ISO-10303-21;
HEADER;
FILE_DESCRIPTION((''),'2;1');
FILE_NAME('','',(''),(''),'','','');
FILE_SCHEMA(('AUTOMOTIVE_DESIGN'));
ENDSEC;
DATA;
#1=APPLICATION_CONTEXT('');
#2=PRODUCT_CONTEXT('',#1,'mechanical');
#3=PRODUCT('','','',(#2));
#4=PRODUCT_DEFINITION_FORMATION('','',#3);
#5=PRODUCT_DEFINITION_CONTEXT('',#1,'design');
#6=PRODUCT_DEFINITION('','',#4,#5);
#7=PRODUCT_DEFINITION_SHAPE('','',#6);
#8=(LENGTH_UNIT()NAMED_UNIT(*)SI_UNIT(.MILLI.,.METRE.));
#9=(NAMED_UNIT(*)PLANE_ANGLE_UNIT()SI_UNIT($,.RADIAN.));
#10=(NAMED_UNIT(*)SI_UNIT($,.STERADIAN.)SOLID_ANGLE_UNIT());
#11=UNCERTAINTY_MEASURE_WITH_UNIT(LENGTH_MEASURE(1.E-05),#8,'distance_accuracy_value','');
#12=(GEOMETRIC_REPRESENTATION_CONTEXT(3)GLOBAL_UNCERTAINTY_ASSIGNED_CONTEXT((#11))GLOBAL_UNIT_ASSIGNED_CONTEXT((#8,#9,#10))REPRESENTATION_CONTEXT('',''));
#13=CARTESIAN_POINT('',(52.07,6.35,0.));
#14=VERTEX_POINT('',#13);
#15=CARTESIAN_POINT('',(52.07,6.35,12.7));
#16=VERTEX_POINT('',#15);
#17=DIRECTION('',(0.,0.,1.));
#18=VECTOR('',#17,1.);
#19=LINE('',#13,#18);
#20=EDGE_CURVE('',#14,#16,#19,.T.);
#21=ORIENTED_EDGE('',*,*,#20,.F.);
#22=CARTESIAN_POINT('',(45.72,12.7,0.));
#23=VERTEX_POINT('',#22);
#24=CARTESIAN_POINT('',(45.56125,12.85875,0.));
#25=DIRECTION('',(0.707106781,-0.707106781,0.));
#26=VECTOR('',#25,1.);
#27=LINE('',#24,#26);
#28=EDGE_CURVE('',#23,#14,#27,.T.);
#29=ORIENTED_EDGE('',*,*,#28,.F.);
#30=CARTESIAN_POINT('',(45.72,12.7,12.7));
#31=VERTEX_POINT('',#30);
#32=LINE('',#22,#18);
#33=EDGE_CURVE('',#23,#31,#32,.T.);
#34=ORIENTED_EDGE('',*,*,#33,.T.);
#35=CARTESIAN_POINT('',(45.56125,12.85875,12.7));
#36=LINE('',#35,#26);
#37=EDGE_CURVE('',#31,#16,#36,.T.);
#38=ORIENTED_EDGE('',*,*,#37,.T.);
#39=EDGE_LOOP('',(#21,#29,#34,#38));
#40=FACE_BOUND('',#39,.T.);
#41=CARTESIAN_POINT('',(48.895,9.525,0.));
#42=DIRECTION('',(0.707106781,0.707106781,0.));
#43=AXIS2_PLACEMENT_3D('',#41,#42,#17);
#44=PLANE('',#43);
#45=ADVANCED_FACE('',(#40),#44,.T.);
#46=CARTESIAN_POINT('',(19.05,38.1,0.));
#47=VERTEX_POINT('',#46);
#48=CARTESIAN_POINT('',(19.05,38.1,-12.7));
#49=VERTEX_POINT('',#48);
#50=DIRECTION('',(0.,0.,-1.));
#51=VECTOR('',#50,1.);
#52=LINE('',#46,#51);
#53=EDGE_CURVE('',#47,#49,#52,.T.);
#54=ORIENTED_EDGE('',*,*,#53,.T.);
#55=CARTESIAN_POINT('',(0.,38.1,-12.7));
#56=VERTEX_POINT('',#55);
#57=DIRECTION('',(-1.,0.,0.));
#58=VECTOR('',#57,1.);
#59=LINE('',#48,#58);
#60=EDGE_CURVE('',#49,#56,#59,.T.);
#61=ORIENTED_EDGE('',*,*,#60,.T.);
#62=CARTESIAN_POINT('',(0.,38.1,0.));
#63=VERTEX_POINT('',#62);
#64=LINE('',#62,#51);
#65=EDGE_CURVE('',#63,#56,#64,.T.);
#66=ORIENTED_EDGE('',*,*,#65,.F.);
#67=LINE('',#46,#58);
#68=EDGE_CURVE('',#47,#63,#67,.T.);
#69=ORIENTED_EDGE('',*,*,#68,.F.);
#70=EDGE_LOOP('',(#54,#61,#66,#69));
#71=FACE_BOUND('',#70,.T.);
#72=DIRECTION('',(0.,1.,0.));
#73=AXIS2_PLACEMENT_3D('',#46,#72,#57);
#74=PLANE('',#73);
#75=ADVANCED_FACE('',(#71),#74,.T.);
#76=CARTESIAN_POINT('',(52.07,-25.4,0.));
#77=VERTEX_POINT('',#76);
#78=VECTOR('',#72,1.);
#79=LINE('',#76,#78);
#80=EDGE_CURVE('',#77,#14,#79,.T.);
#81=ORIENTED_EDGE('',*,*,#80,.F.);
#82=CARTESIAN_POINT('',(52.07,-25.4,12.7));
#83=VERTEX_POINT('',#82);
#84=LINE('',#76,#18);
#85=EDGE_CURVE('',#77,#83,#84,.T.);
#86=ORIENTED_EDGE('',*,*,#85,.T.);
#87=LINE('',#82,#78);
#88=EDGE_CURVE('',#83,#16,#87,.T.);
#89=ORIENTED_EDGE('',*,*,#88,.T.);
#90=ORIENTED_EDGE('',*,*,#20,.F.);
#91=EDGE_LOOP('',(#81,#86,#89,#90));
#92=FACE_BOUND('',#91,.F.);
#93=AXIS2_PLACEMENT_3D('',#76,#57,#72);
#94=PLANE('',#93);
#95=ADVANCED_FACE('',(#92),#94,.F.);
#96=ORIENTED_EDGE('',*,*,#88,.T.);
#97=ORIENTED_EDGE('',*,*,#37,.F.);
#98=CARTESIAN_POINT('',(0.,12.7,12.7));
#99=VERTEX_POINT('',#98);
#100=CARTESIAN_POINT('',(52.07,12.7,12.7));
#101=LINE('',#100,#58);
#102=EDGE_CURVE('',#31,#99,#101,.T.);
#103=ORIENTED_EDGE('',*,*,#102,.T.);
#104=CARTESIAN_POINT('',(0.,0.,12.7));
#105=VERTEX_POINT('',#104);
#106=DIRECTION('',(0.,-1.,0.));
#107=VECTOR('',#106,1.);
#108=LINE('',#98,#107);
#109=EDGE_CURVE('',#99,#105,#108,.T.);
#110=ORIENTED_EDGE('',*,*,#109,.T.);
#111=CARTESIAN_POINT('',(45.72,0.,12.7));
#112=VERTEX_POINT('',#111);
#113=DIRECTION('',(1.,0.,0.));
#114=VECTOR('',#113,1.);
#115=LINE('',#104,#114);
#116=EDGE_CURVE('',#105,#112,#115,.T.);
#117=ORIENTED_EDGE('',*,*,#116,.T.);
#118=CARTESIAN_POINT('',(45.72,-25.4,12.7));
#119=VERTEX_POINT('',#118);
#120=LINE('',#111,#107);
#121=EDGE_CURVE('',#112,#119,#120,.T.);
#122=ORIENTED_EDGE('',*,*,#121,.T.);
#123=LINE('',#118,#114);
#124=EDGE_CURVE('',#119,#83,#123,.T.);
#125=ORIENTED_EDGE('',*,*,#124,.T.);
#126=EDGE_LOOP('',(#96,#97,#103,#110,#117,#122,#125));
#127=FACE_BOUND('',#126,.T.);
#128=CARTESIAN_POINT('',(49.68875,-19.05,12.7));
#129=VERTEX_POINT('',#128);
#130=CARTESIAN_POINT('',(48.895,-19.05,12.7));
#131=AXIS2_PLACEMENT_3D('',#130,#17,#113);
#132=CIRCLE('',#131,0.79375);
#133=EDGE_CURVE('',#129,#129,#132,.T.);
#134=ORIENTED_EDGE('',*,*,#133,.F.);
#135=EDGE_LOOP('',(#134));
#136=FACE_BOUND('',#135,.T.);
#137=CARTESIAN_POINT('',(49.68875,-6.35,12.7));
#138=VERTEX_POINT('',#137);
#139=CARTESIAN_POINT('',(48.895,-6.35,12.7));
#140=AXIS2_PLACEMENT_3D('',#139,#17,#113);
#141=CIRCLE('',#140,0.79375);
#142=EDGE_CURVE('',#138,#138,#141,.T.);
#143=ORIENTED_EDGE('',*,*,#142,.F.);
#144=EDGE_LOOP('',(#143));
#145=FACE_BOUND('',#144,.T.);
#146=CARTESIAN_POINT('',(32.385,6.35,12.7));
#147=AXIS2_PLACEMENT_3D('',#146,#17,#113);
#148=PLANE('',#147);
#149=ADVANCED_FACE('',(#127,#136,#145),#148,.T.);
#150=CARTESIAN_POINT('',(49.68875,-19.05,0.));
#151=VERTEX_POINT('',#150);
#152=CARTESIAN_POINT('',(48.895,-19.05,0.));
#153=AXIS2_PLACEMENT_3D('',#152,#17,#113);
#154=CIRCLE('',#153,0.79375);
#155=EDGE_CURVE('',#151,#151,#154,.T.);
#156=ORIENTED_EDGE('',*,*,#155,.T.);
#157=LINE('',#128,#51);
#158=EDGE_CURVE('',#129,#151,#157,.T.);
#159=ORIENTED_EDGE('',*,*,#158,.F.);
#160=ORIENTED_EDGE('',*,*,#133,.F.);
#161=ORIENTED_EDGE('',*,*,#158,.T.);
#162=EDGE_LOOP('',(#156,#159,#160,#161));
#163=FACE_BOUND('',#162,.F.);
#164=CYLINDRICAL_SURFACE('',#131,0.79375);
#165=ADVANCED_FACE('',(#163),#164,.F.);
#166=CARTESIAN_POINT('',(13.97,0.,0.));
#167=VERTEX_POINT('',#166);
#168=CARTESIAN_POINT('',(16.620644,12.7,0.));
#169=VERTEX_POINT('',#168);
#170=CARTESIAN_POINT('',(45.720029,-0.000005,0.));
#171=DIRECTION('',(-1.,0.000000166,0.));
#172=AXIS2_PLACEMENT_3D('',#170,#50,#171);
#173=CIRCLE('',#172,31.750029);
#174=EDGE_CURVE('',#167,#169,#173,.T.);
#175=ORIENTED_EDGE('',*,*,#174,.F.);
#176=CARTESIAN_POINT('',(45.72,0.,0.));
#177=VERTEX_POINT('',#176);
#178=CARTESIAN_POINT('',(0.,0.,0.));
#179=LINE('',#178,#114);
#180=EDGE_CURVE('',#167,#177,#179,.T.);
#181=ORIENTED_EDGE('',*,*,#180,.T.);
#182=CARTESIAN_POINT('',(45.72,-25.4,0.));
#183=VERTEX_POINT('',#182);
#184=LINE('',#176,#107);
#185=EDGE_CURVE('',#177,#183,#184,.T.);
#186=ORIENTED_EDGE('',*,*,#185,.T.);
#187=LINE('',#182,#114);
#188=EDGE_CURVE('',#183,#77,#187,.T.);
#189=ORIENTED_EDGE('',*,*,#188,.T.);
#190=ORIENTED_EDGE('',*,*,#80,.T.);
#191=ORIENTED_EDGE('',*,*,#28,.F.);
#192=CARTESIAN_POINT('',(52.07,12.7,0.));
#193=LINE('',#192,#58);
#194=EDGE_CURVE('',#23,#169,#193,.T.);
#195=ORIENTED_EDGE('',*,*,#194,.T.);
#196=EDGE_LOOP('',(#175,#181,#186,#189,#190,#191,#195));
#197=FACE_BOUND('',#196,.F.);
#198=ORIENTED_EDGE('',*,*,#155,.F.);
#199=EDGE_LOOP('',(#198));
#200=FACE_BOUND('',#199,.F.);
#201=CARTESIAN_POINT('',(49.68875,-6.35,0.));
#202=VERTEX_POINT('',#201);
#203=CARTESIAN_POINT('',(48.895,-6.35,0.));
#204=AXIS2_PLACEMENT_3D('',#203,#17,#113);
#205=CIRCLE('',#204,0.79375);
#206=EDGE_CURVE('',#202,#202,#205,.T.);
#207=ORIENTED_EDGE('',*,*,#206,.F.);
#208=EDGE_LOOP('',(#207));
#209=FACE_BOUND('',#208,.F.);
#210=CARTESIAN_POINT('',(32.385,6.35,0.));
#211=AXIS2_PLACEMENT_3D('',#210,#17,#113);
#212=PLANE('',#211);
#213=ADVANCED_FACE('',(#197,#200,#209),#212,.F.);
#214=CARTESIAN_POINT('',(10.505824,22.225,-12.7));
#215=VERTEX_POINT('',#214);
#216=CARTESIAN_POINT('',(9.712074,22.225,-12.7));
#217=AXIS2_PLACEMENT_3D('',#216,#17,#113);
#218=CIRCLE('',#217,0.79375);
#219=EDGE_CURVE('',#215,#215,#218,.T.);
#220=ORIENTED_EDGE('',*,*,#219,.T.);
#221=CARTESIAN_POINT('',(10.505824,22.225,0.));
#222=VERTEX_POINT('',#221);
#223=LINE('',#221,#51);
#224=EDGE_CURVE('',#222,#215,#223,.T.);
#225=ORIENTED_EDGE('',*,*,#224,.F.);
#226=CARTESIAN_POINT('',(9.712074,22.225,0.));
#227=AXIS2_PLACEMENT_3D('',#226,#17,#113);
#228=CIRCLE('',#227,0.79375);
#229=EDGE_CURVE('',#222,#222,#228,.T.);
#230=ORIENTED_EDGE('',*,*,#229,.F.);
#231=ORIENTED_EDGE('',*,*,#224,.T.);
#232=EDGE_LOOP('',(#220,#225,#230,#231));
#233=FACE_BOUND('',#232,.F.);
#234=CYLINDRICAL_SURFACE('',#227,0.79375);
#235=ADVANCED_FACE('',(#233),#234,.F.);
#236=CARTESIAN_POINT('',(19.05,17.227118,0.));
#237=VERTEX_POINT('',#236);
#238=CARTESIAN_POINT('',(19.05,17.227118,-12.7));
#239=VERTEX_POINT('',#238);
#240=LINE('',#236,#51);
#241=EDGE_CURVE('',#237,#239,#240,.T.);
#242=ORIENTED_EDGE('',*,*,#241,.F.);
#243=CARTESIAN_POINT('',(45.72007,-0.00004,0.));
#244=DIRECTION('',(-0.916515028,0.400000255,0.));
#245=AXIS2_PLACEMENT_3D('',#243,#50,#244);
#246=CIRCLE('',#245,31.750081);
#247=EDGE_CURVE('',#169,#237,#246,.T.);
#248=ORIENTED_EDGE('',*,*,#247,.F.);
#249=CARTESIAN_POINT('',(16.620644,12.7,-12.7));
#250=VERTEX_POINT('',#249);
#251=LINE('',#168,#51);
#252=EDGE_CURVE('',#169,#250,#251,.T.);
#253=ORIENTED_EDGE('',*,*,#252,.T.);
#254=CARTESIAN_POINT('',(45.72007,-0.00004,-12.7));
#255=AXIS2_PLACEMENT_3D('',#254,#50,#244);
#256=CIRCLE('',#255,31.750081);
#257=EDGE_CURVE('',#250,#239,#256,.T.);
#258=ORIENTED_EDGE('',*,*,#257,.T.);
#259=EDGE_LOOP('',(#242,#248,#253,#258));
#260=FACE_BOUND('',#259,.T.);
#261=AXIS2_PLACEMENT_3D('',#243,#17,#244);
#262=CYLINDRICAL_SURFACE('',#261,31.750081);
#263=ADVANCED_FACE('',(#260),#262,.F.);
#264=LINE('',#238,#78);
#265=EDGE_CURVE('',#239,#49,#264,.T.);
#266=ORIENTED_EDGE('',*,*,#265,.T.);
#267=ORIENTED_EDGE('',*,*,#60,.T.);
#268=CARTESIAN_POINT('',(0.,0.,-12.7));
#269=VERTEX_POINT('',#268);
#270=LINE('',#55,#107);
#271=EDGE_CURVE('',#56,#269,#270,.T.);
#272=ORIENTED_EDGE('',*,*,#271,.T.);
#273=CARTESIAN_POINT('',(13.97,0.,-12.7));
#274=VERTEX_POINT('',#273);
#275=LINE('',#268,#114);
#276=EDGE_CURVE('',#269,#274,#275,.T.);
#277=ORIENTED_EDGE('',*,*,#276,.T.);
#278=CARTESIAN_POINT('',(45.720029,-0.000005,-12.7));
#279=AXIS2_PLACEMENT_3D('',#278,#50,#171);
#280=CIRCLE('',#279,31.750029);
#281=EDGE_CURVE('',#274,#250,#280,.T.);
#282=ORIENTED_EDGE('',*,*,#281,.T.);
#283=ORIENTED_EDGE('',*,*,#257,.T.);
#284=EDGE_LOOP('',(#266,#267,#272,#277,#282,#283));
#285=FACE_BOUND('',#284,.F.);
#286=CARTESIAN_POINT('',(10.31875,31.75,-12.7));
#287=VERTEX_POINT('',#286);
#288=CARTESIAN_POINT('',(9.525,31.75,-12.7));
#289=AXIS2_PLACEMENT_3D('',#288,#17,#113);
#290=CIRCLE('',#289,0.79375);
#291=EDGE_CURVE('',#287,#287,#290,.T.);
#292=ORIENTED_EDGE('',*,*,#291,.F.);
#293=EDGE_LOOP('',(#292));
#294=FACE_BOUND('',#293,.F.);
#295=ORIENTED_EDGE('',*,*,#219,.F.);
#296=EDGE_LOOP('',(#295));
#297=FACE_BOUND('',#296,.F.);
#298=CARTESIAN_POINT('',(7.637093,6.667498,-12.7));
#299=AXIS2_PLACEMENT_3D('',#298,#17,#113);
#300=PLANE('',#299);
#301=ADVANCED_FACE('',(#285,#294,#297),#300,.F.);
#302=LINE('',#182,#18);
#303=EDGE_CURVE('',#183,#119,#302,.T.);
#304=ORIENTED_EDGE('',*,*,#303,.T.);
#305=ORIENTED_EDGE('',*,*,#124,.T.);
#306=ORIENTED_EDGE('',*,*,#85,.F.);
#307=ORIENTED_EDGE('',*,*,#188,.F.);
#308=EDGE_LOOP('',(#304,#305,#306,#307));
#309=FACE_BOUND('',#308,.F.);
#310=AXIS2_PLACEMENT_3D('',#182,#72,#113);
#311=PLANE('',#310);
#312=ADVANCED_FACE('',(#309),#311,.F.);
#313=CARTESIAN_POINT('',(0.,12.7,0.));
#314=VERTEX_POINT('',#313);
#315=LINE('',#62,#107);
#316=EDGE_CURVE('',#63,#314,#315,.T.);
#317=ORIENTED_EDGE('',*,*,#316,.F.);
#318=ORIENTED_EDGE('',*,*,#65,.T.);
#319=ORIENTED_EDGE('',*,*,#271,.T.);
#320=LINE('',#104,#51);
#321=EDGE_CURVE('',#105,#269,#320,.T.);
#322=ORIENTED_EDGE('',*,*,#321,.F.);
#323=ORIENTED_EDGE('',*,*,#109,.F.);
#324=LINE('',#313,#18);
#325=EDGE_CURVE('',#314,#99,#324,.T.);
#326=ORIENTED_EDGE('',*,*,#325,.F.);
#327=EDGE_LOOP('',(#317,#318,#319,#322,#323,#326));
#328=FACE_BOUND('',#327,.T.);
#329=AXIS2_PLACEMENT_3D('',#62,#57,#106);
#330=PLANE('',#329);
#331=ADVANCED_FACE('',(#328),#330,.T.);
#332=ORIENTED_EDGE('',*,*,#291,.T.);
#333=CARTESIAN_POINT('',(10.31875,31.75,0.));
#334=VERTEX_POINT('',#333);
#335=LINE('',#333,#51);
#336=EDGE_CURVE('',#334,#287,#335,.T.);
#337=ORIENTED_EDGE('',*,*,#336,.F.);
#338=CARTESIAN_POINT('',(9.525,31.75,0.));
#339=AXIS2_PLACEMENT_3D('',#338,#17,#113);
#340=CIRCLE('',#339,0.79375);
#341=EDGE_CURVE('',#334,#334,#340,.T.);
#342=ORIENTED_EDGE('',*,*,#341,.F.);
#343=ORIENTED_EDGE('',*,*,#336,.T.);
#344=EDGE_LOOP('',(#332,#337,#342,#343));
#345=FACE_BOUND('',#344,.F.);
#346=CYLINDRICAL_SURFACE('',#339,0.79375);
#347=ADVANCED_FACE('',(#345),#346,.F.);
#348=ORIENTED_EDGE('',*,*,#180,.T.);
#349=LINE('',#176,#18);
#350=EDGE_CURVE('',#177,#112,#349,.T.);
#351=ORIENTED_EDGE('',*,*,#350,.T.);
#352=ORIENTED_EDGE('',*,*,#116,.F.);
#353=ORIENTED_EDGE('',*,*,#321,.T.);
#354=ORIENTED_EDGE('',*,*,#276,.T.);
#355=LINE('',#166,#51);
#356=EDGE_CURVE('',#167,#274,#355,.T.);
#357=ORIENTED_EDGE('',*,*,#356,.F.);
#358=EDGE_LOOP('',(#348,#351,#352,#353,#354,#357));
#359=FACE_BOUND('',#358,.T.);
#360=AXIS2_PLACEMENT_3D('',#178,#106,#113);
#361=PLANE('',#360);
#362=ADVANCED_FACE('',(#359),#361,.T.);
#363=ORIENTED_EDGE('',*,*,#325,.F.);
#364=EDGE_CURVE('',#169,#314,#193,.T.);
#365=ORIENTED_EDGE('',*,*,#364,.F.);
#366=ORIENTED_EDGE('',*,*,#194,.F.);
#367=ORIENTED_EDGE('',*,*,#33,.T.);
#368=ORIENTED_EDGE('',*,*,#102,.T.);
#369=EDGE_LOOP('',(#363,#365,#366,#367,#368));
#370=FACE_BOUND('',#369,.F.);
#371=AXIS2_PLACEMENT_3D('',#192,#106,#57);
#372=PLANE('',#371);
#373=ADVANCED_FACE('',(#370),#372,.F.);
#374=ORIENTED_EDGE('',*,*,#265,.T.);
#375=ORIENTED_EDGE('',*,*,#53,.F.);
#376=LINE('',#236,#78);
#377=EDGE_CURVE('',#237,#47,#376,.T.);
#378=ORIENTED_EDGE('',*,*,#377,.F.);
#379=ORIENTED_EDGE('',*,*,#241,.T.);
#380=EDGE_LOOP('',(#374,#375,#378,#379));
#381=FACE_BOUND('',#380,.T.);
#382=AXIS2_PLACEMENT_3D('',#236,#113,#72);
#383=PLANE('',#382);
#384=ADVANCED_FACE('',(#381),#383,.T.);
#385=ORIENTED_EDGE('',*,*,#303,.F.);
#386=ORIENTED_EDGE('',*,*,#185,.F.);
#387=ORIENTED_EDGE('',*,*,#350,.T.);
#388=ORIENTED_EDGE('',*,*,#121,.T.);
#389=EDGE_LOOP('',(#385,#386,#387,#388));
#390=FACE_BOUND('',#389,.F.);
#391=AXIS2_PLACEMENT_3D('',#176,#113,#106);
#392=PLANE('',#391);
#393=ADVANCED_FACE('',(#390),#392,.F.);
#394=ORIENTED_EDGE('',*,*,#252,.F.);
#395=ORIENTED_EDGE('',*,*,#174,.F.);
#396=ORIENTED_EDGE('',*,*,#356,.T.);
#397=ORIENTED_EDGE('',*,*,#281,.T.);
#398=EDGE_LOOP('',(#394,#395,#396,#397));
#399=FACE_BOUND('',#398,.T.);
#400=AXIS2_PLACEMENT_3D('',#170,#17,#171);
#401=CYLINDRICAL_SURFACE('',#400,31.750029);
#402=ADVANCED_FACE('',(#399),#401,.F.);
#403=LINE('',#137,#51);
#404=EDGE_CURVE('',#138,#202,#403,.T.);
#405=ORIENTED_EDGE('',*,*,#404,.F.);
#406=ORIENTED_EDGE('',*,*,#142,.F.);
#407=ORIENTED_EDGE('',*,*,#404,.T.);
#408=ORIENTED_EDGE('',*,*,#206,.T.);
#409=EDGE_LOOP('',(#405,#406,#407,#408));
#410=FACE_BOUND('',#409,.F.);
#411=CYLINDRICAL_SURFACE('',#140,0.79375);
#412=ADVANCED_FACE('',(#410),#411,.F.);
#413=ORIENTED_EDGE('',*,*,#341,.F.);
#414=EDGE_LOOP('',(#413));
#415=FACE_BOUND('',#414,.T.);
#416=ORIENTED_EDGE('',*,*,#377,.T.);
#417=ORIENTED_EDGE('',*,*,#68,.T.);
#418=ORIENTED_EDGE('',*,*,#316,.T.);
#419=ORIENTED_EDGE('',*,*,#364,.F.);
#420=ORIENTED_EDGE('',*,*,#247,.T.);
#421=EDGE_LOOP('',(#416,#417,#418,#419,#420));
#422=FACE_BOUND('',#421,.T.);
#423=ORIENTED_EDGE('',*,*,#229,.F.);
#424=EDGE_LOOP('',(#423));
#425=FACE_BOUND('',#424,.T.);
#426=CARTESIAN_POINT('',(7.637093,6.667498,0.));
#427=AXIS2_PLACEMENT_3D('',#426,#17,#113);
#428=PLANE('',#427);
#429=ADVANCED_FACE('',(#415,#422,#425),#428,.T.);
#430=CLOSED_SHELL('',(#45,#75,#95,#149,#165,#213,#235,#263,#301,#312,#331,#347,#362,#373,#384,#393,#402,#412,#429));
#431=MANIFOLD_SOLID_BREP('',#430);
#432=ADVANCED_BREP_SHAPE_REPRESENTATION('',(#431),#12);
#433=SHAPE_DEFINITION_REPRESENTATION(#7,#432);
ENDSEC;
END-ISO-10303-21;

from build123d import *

# Parameters (mm, degrees)
F0_W     = 26.67
F0_H     = 12.7
F1_DEPTH = 12.7
F2_DEPTH = 12.7
F3_SIZE  = 6.35
F4_R     = 0.79375
F5_DEPTH = 25.401
F6_R     = 0.79375
F7_DEPTH = 12.701


with BuildPart() as f1:
    # F0 (on Top) → F1 (new body)
    with BuildSketch(Plane.XY):
        with Locations((32.385, 6.35)):
            Rectangle(F0_W, F0_H)
        with BuildLine():
            ThreePointArc((13.97, 0), (14.639725, 6.486831), (16.620644, 12.7))
            Line((16.620644, 12.7), (0, 12.7))
            Line((0, 12.7), (0, 0))
            Line((0, 0), (13.97, 0))
        make_face()
        Polygon((52.07, 12.7), (45.72, 12.7), (45.72, 0), (45.72, -25.4), (52.07, -25.4), (52.07, 0), align=None)
        with BuildLine():
            Line((19.05, 0), (19.05, 12.7))
            Line((19.05, 12.7), (16.620644, 12.7))
            ThreePointArc((16.620644, 12.7), (14.639725, 6.486831), (13.97, 0))
            Line((13.97, 0), (19.05, 0))
        make_face()
    extrude(amount=F1_DEPTH)

    # F0 (on Top) → F2 (join)
    with BuildSketch(Plane.XY):
        with BuildLine():
            ThreePointArc((13.97, 0), (14.639725, 6.486831), (16.620644, 12.7))
            Line((16.620644, 12.7), (0, 12.7))
            Line((0, 12.7), (0, 0))
            Line((0, 0), (13.97, 0))
        make_face()
        with BuildLine():
            Line((0, 12.7), (16.620644, 12.7))
            ThreePointArc((16.620644, 12.7), (17.7436, 15.012779), (19.05, 17.227118))
            Line((19.05, 17.227118), (19.05, 38.1))
            Line((19.05, 38.1), (0, 38.1))
            Line((0, 38.1), (0, 12.7))
        make_face()
    extrude(amount=-F2_DEPTH)

    # F3
    f3_edges = [f1.edges().sort_by_distance(p)[0] for p in [
        (52.07, 12.7, 6.35),
    ]]
    chamfer(f3_edges, length=F3_SIZE)

    # F4 (on face) → F5 (cut, through all)
    with BuildSketch(Plane.XY.offset(12.7)):
        with Locations((48.895, -6.35)):
            Circle(F4_R)
        with Locations((48.895, -19.05)):
            Circle(F4_R)
    extrude(amount=-F5_DEPTH, mode=Mode.SUBTRACT)

    # F6 (on face) → F7 (cut, through all)
    with BuildSketch(Plane.XY):
        with Locations((9.525, 31.75)):
            Circle(F6_R)
        with Locations((9.712074, 22.225)):
            Circle(F6_R)
    extrude(amount=-F7_DEPTH, mode=Mode.SUBTRACT)


solid = f1.part
